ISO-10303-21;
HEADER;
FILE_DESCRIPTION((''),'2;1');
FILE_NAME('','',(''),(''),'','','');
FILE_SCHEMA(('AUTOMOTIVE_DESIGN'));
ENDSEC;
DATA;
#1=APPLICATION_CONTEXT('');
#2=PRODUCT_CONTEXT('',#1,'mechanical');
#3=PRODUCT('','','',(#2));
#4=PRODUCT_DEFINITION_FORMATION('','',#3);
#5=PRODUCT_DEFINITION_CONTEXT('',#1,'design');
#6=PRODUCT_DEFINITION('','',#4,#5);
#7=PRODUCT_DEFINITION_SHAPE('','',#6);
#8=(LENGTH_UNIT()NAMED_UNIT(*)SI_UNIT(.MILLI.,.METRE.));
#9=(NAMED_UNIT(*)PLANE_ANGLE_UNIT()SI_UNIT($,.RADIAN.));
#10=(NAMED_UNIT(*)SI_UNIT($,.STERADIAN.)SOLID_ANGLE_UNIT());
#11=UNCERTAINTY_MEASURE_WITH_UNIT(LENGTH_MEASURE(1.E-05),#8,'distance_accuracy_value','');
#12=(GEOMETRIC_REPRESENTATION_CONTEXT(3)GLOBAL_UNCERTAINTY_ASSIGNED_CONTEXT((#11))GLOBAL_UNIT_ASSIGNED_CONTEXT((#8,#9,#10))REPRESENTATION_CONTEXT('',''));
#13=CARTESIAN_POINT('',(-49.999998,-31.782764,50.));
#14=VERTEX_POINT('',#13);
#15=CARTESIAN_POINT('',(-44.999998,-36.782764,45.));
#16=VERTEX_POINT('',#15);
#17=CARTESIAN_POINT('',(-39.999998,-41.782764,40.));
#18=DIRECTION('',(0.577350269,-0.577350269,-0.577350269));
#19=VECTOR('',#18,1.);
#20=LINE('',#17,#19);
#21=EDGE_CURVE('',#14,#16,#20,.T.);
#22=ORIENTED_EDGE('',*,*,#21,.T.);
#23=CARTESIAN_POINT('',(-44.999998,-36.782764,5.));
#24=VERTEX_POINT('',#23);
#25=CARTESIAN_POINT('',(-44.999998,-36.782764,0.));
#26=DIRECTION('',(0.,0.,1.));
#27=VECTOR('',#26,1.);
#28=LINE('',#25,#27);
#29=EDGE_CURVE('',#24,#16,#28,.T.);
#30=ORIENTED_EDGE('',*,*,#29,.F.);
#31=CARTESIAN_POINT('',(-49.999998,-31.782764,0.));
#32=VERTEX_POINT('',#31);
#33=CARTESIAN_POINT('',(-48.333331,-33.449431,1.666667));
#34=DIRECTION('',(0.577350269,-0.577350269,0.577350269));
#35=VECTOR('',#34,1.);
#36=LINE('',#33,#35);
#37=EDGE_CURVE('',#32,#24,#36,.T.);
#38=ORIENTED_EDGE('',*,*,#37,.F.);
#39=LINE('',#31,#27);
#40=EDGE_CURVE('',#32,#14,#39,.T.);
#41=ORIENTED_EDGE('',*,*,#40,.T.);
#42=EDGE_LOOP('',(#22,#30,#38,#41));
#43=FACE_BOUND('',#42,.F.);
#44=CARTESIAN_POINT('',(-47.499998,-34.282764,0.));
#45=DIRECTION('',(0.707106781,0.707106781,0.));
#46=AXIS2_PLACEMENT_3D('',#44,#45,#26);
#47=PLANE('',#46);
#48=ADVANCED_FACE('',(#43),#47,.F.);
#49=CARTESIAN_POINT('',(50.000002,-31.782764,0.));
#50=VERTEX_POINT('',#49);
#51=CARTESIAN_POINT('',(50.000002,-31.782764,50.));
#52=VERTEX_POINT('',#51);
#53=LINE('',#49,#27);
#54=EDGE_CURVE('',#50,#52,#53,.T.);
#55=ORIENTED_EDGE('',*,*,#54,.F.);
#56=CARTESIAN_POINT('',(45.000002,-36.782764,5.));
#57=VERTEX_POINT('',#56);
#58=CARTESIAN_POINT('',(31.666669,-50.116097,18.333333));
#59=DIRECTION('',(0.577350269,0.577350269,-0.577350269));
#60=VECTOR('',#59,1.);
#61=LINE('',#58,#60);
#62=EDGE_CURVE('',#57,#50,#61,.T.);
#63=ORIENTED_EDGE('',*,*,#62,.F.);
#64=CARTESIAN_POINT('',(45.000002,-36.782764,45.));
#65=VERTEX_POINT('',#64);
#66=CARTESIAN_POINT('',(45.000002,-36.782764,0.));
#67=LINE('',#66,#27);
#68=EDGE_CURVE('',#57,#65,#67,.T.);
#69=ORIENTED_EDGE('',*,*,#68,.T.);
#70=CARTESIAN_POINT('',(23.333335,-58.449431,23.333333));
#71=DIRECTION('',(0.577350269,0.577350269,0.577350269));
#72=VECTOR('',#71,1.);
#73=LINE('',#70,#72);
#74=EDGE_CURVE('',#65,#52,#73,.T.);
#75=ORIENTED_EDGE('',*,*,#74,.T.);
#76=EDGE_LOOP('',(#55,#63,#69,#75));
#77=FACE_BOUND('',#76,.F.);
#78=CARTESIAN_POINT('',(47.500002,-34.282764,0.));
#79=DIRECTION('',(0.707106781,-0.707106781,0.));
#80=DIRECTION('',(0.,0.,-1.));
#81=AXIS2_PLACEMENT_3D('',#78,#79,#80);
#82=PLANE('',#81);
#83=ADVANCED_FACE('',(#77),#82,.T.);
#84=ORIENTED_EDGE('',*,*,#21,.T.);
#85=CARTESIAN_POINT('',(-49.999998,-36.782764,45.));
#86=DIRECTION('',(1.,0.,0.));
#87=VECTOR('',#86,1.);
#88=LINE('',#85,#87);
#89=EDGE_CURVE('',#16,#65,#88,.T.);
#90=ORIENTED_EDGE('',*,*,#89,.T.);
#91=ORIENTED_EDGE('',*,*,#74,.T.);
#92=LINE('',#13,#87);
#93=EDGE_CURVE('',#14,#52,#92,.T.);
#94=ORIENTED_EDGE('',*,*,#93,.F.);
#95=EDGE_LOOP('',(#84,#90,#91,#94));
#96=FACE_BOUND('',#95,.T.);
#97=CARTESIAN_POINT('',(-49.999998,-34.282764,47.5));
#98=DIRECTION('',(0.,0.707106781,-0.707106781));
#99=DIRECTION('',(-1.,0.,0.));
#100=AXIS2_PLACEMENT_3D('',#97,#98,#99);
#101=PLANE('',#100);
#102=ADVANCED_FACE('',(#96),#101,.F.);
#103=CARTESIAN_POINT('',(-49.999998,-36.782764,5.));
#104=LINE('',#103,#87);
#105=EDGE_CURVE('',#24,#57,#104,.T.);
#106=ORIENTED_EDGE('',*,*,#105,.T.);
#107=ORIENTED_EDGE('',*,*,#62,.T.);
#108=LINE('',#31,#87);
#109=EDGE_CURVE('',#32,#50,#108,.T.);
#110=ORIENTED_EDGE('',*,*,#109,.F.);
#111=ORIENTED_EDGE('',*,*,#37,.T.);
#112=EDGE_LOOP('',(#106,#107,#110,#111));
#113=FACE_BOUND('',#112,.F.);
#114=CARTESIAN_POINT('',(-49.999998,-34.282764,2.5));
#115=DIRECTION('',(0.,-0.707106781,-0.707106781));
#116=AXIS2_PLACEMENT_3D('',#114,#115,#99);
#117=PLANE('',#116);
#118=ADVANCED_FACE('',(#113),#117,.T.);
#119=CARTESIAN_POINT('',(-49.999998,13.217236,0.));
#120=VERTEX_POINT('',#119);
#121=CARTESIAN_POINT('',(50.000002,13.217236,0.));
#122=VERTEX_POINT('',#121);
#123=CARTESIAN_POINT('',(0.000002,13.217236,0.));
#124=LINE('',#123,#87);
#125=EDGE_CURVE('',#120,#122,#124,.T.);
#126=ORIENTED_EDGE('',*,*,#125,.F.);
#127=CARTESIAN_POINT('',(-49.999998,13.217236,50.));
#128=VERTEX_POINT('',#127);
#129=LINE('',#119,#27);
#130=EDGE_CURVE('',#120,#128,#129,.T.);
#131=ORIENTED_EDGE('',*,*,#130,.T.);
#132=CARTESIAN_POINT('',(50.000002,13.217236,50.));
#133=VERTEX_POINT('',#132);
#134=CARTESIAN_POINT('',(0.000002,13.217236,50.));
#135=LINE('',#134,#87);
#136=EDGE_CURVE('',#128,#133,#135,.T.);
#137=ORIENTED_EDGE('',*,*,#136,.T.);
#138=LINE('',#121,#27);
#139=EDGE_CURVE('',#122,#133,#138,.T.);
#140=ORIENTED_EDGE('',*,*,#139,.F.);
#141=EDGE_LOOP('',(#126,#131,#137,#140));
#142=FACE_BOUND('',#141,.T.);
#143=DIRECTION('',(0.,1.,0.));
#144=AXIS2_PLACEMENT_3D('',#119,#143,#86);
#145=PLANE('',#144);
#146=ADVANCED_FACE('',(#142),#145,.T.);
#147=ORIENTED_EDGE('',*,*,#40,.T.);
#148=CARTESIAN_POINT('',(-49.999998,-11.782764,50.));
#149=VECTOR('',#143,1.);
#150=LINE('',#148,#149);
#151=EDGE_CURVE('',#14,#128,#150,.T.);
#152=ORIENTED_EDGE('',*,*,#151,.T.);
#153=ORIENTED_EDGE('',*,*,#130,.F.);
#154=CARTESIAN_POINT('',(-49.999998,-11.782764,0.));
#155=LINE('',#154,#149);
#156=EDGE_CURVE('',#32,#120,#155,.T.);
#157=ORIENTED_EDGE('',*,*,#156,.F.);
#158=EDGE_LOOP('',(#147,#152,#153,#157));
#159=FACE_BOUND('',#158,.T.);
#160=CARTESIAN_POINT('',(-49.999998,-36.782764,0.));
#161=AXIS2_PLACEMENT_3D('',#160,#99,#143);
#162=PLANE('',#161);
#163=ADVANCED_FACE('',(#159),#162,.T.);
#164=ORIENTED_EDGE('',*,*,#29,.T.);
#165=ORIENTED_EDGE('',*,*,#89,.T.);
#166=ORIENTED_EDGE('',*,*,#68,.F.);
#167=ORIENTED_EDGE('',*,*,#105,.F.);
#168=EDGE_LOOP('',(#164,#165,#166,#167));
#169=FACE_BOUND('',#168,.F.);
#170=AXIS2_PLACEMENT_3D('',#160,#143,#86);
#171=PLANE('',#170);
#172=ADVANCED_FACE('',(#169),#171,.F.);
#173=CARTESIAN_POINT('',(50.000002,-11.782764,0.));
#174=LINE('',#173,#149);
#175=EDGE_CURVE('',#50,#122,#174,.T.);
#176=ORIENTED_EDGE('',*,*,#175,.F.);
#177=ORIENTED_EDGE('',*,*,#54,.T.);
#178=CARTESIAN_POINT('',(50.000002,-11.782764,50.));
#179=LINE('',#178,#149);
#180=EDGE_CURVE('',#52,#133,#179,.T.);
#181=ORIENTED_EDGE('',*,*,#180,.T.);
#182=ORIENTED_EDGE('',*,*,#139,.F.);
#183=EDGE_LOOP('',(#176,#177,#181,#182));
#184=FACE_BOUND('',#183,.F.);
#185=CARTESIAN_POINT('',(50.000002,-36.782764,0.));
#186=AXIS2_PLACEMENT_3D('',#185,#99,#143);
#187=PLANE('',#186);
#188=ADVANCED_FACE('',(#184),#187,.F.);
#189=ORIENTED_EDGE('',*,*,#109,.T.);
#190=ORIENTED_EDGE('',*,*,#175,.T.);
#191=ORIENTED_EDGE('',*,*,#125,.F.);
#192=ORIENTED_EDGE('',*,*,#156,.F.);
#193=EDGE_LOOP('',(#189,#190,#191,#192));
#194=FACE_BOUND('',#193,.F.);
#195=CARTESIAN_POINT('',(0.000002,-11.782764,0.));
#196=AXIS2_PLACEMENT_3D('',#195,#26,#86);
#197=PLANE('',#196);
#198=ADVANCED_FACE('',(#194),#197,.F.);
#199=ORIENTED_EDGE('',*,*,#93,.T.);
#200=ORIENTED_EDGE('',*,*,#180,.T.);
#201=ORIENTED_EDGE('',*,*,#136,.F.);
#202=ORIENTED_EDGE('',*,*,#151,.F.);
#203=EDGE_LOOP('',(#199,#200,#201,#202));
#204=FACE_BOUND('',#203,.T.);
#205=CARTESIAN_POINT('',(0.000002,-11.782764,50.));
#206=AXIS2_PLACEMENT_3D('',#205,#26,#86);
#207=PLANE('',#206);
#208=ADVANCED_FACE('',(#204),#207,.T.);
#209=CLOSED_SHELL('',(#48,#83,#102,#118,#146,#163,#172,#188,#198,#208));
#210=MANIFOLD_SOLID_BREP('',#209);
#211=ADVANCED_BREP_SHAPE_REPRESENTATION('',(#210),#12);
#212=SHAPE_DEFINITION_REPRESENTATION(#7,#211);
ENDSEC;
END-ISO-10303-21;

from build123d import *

# Parameters (mm, degrees)
F0_W     = 100
F0_H     = 50
F1_DEPTH = 50
F2_SIZE  = 5


with BuildPart() as f1:
    # F0 (on Top) → F1 (new body)
    with BuildSketch(Plane.XY):
        with Locations((2e-06, -11.782764)):
            Rectangle(F0_W, F0_H)
    extrude(amount=F1_DEPTH)

    # F2
    f2_edges = [f1.edges().sort_by_distance(p)[0] for p in [
        (-49.999998, -36.782764, 25),
        (2e-06, -36.782764, 0),
        (2e-06, -36.782764, 50),
        (50.000002, -36.782764, 25),
    ]]
    chamfer(f2_edges, length=F2_SIZE)


solid = f1.part
